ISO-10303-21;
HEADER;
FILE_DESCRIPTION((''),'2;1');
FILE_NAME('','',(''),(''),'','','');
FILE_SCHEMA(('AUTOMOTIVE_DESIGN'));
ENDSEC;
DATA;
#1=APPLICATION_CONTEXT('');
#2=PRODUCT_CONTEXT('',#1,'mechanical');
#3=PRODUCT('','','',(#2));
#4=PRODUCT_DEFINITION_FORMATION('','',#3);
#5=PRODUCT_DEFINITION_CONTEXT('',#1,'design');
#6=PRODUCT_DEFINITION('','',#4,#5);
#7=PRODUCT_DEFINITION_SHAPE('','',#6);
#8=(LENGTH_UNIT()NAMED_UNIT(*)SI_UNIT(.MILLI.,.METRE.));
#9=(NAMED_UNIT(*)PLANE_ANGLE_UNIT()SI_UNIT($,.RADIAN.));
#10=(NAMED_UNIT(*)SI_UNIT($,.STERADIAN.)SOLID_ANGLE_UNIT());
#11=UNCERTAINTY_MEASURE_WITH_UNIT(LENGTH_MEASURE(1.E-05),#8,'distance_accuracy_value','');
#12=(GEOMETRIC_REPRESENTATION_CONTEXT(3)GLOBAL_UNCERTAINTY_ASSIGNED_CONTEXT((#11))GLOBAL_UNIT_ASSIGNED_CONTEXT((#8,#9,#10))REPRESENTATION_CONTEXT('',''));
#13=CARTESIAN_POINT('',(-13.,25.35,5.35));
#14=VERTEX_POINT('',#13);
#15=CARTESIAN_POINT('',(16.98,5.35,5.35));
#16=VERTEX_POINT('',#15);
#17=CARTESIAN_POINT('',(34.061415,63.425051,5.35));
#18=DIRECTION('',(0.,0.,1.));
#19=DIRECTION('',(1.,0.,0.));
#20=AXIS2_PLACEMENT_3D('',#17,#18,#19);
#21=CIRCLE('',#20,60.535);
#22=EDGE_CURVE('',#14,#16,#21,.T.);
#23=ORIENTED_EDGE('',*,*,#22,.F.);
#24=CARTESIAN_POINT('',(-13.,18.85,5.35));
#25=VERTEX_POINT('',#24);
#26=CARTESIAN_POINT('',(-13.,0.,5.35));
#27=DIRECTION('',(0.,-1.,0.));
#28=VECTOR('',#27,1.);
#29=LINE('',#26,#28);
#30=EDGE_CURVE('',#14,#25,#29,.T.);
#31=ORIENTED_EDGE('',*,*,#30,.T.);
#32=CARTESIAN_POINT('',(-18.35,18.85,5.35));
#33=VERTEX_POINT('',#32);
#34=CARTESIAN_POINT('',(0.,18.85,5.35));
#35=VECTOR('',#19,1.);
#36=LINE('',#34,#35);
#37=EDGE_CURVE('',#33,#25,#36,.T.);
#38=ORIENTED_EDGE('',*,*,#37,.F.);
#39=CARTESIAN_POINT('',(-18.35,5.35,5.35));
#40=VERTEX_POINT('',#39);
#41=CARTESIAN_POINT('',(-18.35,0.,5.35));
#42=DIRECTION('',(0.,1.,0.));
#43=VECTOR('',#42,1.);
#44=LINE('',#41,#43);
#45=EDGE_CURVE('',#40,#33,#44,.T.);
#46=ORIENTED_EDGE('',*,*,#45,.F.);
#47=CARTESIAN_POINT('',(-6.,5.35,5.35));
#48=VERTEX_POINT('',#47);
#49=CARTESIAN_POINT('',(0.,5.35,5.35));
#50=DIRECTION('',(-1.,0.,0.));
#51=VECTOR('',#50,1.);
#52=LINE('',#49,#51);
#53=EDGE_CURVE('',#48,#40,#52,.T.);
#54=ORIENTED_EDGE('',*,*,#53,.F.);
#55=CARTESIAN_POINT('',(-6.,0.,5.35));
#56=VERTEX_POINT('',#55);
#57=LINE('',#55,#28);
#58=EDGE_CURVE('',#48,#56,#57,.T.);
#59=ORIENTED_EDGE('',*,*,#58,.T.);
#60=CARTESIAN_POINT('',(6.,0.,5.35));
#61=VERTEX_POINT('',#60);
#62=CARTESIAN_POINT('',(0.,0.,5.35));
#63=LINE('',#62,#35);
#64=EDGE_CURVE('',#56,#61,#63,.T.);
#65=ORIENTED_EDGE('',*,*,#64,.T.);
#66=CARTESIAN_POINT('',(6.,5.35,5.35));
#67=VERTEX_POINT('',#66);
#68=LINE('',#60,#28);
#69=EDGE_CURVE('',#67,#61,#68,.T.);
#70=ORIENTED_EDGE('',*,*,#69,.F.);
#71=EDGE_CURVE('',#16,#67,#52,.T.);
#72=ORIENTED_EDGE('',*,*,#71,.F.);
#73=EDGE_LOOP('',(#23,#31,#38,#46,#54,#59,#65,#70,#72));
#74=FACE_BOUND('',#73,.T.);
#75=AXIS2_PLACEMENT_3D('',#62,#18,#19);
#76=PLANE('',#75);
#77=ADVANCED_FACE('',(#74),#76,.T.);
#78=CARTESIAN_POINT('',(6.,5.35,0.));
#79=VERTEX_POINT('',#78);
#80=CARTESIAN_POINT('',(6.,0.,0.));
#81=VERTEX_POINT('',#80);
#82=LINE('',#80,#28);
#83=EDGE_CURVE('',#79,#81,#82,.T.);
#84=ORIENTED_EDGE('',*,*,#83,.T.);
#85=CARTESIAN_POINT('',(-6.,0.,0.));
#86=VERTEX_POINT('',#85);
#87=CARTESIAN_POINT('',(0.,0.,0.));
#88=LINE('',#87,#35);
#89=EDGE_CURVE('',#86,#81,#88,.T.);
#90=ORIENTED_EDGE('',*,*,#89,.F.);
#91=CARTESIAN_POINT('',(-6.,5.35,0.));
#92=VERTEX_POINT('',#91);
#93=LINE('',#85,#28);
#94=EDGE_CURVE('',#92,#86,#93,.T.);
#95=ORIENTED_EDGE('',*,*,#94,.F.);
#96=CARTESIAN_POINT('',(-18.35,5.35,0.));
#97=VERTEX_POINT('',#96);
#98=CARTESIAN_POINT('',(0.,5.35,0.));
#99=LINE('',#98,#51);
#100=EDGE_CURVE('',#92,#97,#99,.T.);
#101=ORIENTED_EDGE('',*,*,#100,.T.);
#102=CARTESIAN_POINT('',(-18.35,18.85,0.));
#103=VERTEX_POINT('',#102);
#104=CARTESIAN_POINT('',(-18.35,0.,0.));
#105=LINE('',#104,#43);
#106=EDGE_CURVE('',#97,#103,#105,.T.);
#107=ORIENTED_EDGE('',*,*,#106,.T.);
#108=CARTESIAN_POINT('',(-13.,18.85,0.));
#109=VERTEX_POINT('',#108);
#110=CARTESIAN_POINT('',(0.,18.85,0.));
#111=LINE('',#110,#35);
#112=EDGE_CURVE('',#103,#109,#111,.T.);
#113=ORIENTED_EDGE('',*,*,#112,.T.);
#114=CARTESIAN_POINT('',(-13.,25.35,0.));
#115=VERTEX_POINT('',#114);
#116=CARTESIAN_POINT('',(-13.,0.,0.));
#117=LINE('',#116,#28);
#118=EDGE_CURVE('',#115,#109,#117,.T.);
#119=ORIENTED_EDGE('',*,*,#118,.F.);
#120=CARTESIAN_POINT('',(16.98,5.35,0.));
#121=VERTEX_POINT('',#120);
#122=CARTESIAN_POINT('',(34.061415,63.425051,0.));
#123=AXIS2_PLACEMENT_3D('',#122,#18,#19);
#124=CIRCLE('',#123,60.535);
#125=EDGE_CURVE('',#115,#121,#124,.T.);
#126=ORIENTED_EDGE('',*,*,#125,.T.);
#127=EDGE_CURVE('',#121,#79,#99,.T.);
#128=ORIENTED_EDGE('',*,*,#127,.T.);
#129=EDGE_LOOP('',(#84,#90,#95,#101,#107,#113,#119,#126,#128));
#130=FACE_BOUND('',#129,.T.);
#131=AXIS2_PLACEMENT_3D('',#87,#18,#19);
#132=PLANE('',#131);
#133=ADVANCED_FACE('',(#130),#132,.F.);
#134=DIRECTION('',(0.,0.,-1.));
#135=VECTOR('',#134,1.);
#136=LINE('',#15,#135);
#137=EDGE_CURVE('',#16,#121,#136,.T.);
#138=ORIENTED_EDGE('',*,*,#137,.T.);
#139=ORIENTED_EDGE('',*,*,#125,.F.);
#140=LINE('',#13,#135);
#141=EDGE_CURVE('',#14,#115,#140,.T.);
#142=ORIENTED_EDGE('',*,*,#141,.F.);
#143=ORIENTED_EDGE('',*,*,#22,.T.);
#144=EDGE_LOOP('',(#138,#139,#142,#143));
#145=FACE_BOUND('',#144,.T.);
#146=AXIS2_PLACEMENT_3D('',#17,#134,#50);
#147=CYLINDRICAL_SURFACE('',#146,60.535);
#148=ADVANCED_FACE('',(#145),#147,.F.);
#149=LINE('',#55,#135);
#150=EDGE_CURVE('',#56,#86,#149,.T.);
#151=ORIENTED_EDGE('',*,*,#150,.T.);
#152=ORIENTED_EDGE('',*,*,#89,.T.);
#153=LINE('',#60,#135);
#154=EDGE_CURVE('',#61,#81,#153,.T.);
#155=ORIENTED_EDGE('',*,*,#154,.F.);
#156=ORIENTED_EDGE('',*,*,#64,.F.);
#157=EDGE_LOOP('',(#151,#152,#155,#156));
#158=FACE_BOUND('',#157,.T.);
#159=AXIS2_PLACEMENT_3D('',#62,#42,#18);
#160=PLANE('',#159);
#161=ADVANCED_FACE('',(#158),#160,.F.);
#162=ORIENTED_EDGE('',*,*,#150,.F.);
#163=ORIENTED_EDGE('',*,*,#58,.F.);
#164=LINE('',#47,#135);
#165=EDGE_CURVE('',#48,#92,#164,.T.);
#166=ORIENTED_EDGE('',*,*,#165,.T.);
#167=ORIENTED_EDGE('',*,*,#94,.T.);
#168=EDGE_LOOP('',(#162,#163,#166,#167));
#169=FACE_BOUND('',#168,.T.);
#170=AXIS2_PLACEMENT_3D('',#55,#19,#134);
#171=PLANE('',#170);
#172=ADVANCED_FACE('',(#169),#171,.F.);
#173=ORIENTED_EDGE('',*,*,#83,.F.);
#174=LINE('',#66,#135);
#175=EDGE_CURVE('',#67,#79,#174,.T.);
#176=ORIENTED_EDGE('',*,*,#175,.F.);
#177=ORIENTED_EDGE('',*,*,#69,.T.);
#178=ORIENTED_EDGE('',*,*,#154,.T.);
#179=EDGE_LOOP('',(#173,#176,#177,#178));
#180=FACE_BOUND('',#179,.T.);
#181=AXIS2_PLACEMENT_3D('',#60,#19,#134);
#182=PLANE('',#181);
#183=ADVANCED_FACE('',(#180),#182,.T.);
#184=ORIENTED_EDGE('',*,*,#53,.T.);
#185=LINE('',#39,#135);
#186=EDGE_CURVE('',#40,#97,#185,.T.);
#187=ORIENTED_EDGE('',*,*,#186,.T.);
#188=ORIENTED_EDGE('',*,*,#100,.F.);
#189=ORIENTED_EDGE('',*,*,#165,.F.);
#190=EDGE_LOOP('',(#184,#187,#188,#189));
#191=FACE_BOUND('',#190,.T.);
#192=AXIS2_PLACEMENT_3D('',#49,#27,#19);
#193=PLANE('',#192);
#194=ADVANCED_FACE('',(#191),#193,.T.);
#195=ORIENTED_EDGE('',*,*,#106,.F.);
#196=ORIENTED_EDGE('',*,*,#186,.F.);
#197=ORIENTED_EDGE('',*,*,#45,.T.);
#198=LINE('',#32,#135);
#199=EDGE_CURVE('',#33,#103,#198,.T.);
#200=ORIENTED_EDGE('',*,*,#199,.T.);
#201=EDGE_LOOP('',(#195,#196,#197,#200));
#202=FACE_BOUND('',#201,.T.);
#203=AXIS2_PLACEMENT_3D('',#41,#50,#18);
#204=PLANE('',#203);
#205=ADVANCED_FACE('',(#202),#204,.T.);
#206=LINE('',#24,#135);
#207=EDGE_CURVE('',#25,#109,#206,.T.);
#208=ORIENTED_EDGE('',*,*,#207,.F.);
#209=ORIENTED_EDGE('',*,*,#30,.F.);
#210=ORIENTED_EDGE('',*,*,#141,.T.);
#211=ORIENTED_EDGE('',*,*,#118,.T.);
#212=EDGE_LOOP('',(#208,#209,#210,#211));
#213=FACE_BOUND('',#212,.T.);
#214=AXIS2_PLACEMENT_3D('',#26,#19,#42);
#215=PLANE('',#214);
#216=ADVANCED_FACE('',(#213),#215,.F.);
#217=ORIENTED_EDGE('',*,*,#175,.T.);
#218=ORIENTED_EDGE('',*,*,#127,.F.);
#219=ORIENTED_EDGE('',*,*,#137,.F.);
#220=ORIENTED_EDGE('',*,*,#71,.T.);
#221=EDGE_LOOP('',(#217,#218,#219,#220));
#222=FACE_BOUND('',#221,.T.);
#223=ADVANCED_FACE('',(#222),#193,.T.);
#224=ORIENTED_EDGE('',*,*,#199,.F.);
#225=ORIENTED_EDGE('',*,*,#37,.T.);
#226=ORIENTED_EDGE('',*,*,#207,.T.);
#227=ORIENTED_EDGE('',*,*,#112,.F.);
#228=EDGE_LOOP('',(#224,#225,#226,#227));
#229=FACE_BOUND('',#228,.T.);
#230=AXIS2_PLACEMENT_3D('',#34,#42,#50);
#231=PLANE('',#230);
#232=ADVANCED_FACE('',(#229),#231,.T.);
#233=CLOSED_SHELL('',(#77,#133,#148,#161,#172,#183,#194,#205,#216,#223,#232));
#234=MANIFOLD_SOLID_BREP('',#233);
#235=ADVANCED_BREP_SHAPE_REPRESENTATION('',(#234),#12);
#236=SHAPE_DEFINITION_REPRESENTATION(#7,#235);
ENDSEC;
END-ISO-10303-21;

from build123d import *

# Parameters (mm, degrees)
BOSS_EXTRUDE1_DEPTH = 5.35


with BuildPart() as part:
    # Model → Boss-Extrude1 (new body)
    with BuildSketch(Plane.XY):
        with BuildLine():
            ThreePointArc((-13, 25.35), (0.467134815, 13.067225088), (16.98, 5.35))
            Line((16.98, 5.35), (6, 5.35))
            Line((6, 5.35), (6, 0))
            Line((6, 0), (-6, 0))
            Line((-6, 0), (-6, 5.35))
            Line((-6, 5.35), (-18.35, 5.35))
            Line((-18.35, 5.35), (-18.35, 18.85))
            Line((-18.35, 18.85), (-13, 18.85))
            Line((-13, 18.85), (-13, 25.35))
        make_face()
    extrude(amount=BOSS_EXTRUDE1_DEPTH)


solid = part.part
